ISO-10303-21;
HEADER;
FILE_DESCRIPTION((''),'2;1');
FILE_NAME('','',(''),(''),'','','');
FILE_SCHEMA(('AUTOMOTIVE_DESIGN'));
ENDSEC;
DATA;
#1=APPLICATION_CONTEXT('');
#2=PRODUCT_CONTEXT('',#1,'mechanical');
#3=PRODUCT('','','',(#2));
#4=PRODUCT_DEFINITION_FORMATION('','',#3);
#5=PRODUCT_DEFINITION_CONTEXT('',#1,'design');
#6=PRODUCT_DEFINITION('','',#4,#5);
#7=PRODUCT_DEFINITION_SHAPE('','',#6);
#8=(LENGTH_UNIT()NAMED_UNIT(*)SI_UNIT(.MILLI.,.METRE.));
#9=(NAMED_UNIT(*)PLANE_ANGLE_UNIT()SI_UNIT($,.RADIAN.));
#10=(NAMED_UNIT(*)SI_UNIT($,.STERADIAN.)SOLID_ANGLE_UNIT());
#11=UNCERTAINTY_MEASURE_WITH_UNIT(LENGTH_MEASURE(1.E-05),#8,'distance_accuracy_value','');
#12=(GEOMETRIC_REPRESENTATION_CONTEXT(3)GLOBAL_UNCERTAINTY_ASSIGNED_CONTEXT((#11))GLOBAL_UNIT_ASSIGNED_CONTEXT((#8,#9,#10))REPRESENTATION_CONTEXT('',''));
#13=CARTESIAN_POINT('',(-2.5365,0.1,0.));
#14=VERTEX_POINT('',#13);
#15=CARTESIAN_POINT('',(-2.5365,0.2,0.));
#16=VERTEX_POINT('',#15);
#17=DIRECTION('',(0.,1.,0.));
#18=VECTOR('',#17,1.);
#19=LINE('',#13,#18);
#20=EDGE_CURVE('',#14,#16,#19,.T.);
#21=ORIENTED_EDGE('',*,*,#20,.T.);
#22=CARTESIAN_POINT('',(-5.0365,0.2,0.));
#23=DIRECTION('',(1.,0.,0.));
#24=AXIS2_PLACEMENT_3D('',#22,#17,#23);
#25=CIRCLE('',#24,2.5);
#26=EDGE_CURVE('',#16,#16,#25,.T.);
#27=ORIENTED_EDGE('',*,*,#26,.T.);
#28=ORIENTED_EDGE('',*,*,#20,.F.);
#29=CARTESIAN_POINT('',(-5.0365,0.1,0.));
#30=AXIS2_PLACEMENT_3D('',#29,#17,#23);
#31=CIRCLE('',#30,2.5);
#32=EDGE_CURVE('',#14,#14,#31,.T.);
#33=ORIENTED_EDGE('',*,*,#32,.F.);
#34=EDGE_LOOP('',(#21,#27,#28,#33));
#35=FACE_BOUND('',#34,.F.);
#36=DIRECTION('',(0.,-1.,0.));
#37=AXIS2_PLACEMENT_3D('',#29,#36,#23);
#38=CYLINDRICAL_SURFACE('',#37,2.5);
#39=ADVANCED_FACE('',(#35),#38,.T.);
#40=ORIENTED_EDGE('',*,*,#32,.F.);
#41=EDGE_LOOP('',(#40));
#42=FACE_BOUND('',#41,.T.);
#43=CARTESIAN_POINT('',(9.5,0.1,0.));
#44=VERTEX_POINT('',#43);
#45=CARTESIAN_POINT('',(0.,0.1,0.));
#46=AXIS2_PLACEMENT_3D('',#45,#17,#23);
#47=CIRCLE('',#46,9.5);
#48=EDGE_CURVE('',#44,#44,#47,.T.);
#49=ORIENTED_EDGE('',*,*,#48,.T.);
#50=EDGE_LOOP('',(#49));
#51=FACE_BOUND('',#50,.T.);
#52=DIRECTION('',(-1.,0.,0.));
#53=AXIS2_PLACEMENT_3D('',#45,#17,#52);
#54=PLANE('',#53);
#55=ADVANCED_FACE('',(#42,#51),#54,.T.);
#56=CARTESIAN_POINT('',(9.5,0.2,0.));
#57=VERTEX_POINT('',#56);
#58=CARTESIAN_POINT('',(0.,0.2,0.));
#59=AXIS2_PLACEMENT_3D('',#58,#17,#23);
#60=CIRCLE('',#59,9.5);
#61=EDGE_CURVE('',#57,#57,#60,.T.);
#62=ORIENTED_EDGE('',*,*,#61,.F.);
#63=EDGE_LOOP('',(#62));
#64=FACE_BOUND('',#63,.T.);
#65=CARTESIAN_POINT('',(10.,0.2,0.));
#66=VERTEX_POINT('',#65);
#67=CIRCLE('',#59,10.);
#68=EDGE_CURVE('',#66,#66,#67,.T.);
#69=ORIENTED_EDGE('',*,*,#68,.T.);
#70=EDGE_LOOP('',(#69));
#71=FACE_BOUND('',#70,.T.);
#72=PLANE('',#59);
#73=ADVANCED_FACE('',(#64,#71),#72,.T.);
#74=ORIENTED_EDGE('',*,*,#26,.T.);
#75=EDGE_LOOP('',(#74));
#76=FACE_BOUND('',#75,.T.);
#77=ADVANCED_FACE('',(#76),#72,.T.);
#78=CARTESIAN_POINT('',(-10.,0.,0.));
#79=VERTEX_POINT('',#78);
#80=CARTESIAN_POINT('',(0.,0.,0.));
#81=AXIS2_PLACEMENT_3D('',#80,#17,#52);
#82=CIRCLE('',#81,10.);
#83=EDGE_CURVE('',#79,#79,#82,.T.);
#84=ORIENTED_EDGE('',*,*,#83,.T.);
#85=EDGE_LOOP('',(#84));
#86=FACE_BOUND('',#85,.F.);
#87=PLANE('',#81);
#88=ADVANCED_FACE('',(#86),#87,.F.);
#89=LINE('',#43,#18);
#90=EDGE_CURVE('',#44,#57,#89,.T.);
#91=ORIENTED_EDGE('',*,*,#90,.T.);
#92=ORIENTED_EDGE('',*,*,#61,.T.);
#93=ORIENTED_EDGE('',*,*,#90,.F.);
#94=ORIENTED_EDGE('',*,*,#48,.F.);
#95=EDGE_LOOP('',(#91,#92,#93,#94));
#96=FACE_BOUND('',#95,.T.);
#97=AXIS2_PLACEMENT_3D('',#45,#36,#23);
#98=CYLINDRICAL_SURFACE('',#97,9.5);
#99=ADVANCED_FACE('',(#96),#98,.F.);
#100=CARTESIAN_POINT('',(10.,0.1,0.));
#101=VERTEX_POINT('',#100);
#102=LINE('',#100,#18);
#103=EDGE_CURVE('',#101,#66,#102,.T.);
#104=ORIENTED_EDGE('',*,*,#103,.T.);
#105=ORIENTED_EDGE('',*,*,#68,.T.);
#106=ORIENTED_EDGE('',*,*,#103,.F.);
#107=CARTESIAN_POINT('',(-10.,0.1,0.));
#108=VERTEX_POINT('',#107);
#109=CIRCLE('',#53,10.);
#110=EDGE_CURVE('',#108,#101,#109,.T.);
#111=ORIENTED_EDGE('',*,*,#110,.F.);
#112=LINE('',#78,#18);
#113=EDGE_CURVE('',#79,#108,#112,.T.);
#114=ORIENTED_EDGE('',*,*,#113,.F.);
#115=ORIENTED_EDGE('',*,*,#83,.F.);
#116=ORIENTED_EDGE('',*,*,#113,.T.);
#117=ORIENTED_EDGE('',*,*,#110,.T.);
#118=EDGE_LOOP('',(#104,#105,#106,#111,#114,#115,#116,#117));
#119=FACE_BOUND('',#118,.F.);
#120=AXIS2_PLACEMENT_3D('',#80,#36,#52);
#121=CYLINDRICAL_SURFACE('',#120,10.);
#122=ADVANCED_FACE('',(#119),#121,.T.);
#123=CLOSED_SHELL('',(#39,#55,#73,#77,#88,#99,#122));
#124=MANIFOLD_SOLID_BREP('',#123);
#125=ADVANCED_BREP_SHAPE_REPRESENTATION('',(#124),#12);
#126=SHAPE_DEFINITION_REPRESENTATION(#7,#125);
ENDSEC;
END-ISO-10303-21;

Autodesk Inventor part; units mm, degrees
ref_plane "YZ Plane" through (0, 0, 0) normal (1, 0, 0) x (0, 1, 0)
ref_plane "XZ Plane" through (0, 0, 0) normal (0, 1, 0) x (-1, 0, 0)
ref_plane "XY Plane" through (0, 0, 0) normal (0, 0, 1) x (1, 0, 0)
sketch "Szkic1" plane through (0, 0, 0) normal (0, 1, 0) x (-1, 0, 0)
  circle A0 centre (0, 0) radius 10
  dimension "d0" = 20
extrude "Wyciągnięcie proste1" add sketch "Szkic1" along normal blind 0.1
sketch "Szkic2" plane through (0, 0.1, 0) normal (0, 1, 0) x (1, 0, 0)
  circle A0 centre (0, 0) radius 10 projected
  circle A1 centre (0, 0) radius 9.5
  circle A2 centre (-5.0365, 0) radius 2.5
  dimension "d3" = 19
  dimension "d6" = 5
extrude "Wyciągnięcie proste2" add sketch "Szkic2" along normal blind 0.1
properties part number "oko"
